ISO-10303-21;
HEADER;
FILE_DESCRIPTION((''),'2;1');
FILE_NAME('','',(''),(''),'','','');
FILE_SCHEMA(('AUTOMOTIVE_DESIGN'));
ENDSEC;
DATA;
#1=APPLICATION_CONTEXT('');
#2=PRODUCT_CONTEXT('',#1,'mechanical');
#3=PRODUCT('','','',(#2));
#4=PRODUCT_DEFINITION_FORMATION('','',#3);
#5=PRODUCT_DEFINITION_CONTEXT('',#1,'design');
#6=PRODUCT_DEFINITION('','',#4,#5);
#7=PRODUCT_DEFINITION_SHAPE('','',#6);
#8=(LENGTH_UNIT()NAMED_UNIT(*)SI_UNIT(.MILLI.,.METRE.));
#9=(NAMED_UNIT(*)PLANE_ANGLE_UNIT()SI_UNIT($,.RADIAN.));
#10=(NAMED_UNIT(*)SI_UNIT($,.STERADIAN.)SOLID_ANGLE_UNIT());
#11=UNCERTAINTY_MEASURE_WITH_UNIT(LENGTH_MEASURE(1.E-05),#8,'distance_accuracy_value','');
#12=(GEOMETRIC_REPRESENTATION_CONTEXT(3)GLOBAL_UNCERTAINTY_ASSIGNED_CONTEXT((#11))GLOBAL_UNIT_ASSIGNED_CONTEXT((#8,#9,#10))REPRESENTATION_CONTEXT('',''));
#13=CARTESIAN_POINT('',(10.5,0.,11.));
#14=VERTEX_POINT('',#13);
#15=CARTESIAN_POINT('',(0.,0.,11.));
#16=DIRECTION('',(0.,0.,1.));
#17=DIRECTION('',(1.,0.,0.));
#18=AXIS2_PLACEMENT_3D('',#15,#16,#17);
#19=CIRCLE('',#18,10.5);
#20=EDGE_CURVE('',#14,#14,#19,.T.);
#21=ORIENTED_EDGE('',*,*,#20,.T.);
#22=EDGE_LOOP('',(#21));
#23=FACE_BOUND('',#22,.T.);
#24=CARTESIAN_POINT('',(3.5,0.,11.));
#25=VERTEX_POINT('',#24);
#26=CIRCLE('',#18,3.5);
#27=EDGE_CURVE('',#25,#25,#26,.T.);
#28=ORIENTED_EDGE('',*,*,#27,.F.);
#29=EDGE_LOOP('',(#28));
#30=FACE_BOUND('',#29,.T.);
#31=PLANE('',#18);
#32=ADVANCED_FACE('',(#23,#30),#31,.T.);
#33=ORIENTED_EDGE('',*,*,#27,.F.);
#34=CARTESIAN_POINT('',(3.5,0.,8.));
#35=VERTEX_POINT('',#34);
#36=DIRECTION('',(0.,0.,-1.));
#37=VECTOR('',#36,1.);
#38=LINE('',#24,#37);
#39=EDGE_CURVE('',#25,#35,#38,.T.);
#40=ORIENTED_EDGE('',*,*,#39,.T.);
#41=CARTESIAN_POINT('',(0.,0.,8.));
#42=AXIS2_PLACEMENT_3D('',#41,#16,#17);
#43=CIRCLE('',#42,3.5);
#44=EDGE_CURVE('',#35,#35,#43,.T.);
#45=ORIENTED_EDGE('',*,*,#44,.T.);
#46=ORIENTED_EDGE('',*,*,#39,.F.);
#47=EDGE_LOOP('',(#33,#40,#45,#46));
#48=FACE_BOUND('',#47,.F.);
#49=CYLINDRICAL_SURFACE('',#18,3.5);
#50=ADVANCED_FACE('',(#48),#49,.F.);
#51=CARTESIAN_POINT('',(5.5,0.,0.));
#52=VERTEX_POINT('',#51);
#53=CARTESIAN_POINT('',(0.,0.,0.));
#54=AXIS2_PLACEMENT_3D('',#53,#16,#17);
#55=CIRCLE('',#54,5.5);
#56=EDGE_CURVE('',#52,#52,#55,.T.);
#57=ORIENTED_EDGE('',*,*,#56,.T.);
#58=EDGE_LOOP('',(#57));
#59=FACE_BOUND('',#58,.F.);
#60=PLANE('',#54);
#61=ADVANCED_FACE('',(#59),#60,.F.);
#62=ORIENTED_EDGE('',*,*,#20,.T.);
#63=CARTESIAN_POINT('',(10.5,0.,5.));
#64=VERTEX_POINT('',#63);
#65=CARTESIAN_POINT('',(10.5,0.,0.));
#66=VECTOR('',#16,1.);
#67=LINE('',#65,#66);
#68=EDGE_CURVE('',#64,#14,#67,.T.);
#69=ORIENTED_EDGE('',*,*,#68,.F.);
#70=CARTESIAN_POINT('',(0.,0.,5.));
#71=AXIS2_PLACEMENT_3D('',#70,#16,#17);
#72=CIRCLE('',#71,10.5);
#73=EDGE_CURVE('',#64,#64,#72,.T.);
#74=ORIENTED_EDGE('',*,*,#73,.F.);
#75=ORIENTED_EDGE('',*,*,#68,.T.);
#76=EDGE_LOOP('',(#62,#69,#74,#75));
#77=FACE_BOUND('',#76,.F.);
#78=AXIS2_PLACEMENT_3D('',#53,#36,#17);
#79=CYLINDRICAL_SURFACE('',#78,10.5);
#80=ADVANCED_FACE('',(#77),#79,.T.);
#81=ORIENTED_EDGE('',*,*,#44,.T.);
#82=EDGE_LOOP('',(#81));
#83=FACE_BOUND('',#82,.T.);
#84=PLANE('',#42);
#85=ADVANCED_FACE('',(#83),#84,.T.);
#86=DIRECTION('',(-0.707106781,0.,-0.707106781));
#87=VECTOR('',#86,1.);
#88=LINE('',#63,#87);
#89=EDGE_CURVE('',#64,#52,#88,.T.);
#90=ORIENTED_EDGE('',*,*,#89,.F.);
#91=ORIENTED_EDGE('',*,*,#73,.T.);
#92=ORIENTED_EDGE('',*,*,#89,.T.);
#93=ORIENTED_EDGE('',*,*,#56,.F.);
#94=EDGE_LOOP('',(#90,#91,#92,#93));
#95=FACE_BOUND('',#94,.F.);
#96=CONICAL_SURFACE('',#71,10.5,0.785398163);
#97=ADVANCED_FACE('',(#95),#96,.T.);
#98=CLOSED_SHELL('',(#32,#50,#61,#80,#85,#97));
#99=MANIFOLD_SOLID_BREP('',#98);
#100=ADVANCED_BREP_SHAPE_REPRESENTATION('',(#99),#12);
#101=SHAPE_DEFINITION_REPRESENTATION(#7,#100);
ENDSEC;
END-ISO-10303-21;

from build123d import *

# Parameters (mm, degrees)
F0_R     = 10.5
F1_DEPTH = 11
F2_R     = 3.5
F3_DEPTH = 3
F4_SIZE  = 5


with BuildPart() as f1:
    # F0 (on Top) → F1 (new body)
    with BuildSketch(Plane.XY):
        Circle(F0_R)
    extrude(amount=F1_DEPTH)

    # F2 (on face) → F3 (cut)
    with BuildSketch(Plane.XY.offset(11)):
        Circle(F2_R)
    extrude(amount=-F3_DEPTH, mode=Mode.SUBTRACT)

    # F4
    f4_edges = [f1.edges().sort_by_distance(p)[0] for p in [
        (-10.5, 0, 0),
    ]]
    chamfer(f4_edges, length=F4_SIZE)


solid = f1.part
